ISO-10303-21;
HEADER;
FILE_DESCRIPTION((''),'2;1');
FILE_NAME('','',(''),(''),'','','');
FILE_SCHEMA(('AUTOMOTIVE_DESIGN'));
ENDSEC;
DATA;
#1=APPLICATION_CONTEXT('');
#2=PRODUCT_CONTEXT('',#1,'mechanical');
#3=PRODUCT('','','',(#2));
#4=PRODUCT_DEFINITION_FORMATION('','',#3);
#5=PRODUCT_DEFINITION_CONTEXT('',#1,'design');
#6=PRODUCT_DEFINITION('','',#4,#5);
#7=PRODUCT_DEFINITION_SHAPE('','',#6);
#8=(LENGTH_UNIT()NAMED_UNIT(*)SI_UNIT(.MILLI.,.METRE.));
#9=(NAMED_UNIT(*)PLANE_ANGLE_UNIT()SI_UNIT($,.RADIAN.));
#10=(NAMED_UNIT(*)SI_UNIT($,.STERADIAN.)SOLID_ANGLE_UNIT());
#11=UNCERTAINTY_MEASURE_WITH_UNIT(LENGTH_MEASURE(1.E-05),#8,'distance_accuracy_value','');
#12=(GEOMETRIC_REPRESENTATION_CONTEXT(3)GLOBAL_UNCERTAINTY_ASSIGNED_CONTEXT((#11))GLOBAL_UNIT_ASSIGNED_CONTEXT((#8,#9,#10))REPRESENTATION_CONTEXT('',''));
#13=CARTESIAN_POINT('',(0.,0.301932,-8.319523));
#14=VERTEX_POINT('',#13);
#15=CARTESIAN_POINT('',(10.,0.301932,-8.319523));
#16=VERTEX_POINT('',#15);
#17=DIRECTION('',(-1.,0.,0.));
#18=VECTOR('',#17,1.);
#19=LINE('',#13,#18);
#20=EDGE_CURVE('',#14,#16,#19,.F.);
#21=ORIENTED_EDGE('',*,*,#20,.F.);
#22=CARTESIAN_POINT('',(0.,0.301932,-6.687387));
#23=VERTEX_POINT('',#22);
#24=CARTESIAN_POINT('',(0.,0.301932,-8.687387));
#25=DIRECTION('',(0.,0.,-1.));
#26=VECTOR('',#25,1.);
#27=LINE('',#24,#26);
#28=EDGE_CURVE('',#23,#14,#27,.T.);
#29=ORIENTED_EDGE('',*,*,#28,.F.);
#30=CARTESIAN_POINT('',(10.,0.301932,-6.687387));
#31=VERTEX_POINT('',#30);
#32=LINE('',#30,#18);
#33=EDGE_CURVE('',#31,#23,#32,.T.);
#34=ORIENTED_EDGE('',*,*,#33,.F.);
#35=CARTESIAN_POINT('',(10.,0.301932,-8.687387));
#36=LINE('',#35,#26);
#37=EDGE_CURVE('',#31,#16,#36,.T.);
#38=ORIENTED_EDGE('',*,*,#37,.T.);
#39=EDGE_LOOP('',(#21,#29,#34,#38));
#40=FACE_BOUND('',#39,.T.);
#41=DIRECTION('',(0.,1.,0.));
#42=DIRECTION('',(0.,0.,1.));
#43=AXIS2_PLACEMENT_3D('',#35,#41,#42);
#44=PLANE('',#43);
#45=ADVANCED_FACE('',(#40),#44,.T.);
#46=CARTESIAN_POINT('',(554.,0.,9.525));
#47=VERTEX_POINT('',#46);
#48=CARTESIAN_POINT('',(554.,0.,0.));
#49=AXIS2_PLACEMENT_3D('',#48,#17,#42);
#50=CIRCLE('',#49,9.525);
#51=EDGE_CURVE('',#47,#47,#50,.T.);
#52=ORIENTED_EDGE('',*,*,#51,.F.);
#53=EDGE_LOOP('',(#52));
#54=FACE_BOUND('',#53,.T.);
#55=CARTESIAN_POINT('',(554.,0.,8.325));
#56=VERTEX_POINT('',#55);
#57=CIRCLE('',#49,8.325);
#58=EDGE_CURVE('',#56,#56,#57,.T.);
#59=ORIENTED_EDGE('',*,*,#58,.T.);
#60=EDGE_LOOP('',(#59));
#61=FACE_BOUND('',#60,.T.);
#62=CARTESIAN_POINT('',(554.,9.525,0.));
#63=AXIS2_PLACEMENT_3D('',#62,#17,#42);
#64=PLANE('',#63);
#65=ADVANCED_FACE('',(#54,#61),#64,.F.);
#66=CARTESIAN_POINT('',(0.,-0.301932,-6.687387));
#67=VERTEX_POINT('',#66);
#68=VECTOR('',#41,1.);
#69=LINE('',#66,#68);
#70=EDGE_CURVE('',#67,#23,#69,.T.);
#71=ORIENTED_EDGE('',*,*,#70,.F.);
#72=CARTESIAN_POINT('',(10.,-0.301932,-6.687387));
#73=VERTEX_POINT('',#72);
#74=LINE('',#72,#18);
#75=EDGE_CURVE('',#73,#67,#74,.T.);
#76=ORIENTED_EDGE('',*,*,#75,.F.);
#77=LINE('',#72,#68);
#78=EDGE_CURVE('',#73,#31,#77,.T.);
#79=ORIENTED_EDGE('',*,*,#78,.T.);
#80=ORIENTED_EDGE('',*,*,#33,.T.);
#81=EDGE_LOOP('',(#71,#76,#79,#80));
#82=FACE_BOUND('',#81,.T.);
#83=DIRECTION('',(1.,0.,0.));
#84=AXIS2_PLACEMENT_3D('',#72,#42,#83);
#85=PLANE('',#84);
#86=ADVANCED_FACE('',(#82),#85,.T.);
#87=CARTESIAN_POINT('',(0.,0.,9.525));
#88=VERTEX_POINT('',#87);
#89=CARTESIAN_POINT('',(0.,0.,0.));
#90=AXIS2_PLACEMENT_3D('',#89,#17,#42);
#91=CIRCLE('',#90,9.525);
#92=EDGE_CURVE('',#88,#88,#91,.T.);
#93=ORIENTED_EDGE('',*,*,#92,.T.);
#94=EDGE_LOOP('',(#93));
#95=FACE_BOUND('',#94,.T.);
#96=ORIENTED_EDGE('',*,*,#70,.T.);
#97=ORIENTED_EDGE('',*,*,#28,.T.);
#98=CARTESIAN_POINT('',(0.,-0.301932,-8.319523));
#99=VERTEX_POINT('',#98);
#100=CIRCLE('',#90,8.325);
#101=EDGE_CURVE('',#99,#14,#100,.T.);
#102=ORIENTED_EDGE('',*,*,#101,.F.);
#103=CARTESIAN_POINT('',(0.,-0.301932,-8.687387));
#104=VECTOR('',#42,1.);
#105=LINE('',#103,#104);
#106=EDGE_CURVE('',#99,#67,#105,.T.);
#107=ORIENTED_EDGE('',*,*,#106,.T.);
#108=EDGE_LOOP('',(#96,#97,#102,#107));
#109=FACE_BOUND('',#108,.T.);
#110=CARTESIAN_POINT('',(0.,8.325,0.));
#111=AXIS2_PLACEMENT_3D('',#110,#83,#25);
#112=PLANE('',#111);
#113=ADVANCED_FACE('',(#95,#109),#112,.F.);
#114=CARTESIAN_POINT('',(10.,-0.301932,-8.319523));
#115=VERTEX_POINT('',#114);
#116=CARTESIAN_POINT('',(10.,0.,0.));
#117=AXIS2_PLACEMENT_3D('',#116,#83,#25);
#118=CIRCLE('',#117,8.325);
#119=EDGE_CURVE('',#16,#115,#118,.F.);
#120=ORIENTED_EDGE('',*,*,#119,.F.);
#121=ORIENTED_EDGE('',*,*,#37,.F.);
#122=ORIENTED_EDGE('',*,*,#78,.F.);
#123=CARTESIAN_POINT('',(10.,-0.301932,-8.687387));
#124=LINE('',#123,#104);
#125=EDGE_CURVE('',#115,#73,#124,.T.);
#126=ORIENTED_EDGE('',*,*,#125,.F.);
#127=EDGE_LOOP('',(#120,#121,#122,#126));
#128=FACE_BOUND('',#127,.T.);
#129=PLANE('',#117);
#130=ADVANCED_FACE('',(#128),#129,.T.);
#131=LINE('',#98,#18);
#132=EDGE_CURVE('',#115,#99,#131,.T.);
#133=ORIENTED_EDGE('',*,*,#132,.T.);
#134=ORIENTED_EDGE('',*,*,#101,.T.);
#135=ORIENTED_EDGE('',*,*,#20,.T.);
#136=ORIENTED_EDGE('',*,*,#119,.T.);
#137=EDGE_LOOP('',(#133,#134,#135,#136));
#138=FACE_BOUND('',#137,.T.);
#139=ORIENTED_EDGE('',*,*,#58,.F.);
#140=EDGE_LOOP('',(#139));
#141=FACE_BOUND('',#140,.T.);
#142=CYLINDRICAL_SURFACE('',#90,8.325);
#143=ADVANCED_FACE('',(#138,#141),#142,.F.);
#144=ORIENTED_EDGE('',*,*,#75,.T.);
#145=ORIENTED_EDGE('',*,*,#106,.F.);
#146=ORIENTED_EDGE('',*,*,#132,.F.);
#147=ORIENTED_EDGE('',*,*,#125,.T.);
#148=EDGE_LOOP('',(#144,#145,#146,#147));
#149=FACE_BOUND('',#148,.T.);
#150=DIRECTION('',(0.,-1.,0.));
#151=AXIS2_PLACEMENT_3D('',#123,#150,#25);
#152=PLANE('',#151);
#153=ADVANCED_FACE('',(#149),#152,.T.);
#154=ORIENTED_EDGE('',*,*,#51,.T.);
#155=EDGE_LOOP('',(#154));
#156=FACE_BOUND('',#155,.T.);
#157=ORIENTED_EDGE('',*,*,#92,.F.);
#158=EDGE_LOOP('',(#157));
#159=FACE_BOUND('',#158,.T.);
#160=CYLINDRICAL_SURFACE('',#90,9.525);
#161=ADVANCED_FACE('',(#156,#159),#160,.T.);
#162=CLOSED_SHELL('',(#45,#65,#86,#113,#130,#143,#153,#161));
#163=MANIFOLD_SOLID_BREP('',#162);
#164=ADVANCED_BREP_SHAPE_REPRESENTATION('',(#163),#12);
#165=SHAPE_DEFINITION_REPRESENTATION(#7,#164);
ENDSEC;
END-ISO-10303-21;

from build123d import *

# Parameters (mm, degrees)
SKIZZE1_W                       = 554
SKIZZE1_H                       = 1.2
SKIZZE2_W                       = 2
SKIZZE2_H                       = 0.603863108
AUFSATZ_LINEAR_AUSTRAGEN1_DEPTH = 10


with BuildPart() as part:
    # Skizze1 → Rotation1 (revolve)
    with BuildSketch(Plane.XY):
        with Locations((277, 8.925)):
            Rectangle(SKIZZE1_W, SKIZZE1_H)
    revolve(axis=Axis((0, 0, 0), (1, 0, 0)))

    # Skizze2 → Aufsatz-Linear austragen1 (add)
    with BuildSketch(Plane.ZY):
        with Locations((-7.687386884, 0)):
            Rectangle(SKIZZE2_W, SKIZZE2_H)
    extrude(amount=-AUFSATZ_LINEAR_AUSTRAGEN1_DEPTH)


solid = part.part
